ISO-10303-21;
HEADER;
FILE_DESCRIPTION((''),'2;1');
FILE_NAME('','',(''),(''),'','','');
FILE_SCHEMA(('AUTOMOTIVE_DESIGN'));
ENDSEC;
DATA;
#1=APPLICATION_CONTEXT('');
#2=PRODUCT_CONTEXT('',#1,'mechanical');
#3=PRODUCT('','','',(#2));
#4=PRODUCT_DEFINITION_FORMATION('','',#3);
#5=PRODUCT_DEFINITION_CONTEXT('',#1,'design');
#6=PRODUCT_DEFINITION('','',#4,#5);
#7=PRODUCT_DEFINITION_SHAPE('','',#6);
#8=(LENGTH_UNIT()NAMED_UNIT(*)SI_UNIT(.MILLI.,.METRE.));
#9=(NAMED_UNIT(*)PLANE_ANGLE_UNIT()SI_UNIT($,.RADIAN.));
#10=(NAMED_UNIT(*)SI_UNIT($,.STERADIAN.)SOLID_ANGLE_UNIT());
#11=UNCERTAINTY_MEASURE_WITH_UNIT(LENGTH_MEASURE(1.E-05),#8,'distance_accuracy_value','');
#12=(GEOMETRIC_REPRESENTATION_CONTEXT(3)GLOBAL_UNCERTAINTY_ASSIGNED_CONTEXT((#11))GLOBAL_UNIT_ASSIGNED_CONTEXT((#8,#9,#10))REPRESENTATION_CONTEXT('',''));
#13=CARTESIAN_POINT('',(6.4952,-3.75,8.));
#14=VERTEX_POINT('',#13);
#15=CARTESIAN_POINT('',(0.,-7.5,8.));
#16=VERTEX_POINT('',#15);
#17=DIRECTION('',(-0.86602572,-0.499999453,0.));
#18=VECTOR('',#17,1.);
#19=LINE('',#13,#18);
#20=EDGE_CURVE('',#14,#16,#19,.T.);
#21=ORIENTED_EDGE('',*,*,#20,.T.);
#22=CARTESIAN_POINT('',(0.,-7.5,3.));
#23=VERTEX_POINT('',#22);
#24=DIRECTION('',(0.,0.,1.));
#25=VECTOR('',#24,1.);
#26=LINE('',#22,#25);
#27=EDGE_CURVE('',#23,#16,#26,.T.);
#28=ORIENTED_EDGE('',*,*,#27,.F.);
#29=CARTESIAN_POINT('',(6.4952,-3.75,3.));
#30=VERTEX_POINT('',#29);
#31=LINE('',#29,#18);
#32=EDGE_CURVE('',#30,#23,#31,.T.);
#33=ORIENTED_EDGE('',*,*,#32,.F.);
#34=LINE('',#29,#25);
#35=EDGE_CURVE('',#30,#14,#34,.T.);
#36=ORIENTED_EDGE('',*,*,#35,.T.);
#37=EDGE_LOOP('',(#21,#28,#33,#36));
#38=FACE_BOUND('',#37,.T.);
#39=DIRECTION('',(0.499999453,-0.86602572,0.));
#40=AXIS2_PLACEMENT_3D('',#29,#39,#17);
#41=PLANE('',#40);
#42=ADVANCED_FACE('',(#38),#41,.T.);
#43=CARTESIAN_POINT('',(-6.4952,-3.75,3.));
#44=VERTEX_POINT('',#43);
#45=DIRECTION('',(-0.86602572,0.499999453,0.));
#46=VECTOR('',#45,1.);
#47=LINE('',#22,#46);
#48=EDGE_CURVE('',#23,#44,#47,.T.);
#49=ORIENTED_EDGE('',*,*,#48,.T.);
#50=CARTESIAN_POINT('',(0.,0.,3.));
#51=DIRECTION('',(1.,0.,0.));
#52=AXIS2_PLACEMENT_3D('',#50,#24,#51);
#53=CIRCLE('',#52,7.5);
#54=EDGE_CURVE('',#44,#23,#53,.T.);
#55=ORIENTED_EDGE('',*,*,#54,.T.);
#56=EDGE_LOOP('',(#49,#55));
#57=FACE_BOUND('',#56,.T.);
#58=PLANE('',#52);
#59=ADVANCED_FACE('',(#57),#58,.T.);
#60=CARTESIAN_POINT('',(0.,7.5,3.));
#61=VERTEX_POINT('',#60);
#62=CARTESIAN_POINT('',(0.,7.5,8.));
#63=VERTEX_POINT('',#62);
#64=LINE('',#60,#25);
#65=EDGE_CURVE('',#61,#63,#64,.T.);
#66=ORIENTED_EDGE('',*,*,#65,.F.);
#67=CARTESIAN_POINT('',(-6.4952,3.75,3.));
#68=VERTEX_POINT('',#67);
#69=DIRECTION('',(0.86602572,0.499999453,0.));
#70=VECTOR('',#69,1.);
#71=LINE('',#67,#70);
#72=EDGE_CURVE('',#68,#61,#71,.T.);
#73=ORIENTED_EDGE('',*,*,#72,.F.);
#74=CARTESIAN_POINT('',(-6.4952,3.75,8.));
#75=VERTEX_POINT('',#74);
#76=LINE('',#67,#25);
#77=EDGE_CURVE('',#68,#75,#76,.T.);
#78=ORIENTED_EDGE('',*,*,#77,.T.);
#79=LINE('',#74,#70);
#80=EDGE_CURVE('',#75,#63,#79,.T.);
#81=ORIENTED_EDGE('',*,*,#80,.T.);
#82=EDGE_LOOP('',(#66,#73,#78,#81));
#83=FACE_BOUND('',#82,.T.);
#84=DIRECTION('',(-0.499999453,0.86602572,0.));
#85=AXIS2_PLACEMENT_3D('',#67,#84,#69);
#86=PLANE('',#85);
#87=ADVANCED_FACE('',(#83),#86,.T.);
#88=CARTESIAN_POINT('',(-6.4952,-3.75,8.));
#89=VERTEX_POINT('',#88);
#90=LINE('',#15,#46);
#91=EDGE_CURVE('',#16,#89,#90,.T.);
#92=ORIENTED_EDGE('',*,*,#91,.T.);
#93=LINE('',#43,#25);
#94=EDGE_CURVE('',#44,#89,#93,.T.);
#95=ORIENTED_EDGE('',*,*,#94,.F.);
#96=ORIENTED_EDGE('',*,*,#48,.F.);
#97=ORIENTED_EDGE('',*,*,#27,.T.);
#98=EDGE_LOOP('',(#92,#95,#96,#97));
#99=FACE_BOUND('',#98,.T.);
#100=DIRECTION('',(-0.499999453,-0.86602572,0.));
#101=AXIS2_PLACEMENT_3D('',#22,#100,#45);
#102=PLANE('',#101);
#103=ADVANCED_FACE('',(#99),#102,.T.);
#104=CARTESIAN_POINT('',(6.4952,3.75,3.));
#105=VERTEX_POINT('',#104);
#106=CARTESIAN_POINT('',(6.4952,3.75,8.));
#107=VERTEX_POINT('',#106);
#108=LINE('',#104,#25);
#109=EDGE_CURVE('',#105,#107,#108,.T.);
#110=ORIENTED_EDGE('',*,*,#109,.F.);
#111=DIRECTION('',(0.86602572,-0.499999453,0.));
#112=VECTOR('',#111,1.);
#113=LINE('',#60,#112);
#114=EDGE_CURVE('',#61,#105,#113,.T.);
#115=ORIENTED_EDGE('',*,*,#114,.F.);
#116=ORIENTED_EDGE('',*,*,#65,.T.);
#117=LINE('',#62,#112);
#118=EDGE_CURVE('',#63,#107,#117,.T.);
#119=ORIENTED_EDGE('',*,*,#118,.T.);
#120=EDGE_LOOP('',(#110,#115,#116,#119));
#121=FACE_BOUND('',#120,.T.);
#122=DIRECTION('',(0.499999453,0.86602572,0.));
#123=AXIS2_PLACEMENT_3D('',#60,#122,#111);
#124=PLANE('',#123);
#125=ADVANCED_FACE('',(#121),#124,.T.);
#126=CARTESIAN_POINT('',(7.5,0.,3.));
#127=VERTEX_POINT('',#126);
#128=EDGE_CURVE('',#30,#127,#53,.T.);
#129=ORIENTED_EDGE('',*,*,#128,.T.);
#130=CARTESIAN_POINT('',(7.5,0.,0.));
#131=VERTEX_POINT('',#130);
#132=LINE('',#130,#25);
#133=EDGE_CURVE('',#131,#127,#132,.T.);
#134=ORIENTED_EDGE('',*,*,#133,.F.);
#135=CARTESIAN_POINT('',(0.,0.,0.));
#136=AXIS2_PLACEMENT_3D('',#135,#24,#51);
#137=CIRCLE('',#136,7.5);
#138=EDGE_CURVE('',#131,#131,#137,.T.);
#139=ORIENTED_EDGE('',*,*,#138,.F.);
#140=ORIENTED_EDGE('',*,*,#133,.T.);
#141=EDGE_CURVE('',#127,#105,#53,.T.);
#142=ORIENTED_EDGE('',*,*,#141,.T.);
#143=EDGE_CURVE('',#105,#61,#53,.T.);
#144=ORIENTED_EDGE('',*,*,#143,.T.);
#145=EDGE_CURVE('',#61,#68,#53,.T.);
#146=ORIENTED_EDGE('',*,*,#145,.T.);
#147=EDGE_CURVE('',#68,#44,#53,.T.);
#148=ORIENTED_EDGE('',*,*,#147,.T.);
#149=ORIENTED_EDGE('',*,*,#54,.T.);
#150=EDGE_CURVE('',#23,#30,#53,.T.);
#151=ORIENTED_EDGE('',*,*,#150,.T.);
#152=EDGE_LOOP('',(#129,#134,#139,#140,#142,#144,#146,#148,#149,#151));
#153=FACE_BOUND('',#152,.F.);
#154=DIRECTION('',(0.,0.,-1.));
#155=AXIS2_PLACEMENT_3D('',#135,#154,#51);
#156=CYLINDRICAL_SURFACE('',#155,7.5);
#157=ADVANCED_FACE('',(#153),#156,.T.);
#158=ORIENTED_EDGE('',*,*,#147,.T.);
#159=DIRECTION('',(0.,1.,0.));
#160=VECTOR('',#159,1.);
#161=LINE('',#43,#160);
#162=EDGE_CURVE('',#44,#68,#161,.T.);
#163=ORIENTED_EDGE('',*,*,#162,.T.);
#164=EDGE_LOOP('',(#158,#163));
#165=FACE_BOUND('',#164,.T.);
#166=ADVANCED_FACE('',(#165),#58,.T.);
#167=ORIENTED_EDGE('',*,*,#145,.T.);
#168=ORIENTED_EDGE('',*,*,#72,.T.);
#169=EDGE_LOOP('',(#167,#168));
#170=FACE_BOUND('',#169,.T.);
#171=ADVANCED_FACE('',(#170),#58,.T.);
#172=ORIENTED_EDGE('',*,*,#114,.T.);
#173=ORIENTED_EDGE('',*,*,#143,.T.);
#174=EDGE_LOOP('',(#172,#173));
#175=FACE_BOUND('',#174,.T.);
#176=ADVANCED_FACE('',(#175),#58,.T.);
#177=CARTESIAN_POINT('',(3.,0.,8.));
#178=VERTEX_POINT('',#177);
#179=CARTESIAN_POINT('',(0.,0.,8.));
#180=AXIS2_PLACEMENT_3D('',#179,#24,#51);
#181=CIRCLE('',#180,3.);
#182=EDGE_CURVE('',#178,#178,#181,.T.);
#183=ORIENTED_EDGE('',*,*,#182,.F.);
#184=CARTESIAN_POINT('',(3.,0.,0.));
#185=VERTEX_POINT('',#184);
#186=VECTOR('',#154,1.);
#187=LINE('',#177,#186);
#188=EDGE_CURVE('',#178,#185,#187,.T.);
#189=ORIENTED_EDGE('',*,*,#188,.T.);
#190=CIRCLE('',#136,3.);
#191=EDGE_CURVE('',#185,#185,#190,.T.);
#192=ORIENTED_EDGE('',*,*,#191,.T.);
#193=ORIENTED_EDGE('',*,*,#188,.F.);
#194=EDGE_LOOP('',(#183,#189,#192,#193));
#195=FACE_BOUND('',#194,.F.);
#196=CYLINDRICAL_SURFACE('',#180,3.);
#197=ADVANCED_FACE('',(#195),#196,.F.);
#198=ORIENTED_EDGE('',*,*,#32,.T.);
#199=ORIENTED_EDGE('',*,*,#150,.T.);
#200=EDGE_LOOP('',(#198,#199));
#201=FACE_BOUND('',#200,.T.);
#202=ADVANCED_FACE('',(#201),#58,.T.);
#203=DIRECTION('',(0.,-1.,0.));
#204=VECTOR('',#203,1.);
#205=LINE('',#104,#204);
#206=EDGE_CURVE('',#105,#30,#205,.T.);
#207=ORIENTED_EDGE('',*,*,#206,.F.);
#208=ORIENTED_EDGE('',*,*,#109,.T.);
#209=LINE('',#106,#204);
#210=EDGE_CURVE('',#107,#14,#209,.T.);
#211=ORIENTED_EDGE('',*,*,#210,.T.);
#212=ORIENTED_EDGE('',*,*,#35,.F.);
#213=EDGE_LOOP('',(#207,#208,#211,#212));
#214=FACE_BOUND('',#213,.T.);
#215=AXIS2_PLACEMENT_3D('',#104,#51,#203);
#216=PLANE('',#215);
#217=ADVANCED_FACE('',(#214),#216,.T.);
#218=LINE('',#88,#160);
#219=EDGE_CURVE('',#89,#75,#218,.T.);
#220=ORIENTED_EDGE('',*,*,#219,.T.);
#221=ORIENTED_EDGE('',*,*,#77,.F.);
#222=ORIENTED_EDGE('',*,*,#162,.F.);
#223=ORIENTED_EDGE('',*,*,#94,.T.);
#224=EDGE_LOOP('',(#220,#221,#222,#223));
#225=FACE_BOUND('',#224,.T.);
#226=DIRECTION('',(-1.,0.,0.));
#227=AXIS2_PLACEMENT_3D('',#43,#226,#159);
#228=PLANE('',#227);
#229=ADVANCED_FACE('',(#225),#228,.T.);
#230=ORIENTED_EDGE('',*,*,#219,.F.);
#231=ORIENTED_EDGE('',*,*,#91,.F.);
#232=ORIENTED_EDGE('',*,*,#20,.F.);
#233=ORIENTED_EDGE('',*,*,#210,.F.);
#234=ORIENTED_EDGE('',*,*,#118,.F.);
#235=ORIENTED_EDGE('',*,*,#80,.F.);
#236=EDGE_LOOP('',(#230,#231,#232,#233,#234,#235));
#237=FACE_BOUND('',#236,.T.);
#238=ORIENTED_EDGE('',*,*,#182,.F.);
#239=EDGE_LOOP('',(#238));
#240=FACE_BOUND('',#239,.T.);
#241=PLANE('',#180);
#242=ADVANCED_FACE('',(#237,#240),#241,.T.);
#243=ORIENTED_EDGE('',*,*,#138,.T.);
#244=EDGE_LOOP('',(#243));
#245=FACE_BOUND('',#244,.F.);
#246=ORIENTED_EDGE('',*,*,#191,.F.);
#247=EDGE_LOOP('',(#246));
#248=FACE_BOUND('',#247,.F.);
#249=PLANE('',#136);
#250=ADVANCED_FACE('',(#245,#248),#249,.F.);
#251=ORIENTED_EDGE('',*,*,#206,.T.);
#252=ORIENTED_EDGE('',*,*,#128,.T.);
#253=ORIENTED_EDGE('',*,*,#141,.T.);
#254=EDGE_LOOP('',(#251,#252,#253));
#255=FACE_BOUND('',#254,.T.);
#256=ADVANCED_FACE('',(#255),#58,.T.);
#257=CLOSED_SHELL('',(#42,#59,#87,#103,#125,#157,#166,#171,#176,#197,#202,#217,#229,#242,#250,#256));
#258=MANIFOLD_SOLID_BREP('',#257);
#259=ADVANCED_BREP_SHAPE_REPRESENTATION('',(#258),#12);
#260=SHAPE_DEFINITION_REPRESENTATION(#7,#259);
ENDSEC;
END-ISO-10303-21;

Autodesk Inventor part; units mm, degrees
ref_plane "YZ Plane" through (0, 0, 0) normal (1, 0, 0) x (0, 1, 0)
ref_plane "XZ Plane" through (0, 0, 0) normal (0, 1, 0) x (-1, 0, 0)
ref_plane "XY Plane" through (0, 0, 0) normal (0, 0, 1) x (1, 0, 0)
sketch "スケッチ1" plane through (0, 0, 0) normal (0, 0, 1) x (1, 0, 0)
  circle A0 centre (0, 0) radius 7.5
  dimension "d0" = 15
extrude "押し出し1" add sketch "スケッチ1" along normal blind 3
sketch "スケッチ2" plane through (0, 0, 3) normal (0, 0, 1) x (1, 0, 0)
  line L0 (0, 7.5) -> (6.4952, 3.75)
  line L1 (6.4952, 3.75) -> (6.4952, -3.75)
  line L2 (6.4952, -3.75) -> (0, -7.5)
  line L3 (0, -7.5) -> (-6.4952, -3.75)
  line L4 (-6.4952, -3.75) -> (-6.4952, 3.75)
  line L5 (-6.4952, 3.75) -> (0, 7.5)
  point P0 (0, 0)
  point P1 (0, 0)
  dimension "d8" = 7.5
extrude "押し出し2" add sketch "スケッチ2" along normal blind 5
sketch "スケッチ3" plane through (0, 0, 8) normal (0, 0, 1) x (1, 0, 0)
  circle A0 centre (0, 0) radius 3
  dimension "d5" = 6
extrude "押し出し3" cut sketch "スケッチ3" against normal blind 30
properties part number "頭ねじ" material "アルミニウム"
